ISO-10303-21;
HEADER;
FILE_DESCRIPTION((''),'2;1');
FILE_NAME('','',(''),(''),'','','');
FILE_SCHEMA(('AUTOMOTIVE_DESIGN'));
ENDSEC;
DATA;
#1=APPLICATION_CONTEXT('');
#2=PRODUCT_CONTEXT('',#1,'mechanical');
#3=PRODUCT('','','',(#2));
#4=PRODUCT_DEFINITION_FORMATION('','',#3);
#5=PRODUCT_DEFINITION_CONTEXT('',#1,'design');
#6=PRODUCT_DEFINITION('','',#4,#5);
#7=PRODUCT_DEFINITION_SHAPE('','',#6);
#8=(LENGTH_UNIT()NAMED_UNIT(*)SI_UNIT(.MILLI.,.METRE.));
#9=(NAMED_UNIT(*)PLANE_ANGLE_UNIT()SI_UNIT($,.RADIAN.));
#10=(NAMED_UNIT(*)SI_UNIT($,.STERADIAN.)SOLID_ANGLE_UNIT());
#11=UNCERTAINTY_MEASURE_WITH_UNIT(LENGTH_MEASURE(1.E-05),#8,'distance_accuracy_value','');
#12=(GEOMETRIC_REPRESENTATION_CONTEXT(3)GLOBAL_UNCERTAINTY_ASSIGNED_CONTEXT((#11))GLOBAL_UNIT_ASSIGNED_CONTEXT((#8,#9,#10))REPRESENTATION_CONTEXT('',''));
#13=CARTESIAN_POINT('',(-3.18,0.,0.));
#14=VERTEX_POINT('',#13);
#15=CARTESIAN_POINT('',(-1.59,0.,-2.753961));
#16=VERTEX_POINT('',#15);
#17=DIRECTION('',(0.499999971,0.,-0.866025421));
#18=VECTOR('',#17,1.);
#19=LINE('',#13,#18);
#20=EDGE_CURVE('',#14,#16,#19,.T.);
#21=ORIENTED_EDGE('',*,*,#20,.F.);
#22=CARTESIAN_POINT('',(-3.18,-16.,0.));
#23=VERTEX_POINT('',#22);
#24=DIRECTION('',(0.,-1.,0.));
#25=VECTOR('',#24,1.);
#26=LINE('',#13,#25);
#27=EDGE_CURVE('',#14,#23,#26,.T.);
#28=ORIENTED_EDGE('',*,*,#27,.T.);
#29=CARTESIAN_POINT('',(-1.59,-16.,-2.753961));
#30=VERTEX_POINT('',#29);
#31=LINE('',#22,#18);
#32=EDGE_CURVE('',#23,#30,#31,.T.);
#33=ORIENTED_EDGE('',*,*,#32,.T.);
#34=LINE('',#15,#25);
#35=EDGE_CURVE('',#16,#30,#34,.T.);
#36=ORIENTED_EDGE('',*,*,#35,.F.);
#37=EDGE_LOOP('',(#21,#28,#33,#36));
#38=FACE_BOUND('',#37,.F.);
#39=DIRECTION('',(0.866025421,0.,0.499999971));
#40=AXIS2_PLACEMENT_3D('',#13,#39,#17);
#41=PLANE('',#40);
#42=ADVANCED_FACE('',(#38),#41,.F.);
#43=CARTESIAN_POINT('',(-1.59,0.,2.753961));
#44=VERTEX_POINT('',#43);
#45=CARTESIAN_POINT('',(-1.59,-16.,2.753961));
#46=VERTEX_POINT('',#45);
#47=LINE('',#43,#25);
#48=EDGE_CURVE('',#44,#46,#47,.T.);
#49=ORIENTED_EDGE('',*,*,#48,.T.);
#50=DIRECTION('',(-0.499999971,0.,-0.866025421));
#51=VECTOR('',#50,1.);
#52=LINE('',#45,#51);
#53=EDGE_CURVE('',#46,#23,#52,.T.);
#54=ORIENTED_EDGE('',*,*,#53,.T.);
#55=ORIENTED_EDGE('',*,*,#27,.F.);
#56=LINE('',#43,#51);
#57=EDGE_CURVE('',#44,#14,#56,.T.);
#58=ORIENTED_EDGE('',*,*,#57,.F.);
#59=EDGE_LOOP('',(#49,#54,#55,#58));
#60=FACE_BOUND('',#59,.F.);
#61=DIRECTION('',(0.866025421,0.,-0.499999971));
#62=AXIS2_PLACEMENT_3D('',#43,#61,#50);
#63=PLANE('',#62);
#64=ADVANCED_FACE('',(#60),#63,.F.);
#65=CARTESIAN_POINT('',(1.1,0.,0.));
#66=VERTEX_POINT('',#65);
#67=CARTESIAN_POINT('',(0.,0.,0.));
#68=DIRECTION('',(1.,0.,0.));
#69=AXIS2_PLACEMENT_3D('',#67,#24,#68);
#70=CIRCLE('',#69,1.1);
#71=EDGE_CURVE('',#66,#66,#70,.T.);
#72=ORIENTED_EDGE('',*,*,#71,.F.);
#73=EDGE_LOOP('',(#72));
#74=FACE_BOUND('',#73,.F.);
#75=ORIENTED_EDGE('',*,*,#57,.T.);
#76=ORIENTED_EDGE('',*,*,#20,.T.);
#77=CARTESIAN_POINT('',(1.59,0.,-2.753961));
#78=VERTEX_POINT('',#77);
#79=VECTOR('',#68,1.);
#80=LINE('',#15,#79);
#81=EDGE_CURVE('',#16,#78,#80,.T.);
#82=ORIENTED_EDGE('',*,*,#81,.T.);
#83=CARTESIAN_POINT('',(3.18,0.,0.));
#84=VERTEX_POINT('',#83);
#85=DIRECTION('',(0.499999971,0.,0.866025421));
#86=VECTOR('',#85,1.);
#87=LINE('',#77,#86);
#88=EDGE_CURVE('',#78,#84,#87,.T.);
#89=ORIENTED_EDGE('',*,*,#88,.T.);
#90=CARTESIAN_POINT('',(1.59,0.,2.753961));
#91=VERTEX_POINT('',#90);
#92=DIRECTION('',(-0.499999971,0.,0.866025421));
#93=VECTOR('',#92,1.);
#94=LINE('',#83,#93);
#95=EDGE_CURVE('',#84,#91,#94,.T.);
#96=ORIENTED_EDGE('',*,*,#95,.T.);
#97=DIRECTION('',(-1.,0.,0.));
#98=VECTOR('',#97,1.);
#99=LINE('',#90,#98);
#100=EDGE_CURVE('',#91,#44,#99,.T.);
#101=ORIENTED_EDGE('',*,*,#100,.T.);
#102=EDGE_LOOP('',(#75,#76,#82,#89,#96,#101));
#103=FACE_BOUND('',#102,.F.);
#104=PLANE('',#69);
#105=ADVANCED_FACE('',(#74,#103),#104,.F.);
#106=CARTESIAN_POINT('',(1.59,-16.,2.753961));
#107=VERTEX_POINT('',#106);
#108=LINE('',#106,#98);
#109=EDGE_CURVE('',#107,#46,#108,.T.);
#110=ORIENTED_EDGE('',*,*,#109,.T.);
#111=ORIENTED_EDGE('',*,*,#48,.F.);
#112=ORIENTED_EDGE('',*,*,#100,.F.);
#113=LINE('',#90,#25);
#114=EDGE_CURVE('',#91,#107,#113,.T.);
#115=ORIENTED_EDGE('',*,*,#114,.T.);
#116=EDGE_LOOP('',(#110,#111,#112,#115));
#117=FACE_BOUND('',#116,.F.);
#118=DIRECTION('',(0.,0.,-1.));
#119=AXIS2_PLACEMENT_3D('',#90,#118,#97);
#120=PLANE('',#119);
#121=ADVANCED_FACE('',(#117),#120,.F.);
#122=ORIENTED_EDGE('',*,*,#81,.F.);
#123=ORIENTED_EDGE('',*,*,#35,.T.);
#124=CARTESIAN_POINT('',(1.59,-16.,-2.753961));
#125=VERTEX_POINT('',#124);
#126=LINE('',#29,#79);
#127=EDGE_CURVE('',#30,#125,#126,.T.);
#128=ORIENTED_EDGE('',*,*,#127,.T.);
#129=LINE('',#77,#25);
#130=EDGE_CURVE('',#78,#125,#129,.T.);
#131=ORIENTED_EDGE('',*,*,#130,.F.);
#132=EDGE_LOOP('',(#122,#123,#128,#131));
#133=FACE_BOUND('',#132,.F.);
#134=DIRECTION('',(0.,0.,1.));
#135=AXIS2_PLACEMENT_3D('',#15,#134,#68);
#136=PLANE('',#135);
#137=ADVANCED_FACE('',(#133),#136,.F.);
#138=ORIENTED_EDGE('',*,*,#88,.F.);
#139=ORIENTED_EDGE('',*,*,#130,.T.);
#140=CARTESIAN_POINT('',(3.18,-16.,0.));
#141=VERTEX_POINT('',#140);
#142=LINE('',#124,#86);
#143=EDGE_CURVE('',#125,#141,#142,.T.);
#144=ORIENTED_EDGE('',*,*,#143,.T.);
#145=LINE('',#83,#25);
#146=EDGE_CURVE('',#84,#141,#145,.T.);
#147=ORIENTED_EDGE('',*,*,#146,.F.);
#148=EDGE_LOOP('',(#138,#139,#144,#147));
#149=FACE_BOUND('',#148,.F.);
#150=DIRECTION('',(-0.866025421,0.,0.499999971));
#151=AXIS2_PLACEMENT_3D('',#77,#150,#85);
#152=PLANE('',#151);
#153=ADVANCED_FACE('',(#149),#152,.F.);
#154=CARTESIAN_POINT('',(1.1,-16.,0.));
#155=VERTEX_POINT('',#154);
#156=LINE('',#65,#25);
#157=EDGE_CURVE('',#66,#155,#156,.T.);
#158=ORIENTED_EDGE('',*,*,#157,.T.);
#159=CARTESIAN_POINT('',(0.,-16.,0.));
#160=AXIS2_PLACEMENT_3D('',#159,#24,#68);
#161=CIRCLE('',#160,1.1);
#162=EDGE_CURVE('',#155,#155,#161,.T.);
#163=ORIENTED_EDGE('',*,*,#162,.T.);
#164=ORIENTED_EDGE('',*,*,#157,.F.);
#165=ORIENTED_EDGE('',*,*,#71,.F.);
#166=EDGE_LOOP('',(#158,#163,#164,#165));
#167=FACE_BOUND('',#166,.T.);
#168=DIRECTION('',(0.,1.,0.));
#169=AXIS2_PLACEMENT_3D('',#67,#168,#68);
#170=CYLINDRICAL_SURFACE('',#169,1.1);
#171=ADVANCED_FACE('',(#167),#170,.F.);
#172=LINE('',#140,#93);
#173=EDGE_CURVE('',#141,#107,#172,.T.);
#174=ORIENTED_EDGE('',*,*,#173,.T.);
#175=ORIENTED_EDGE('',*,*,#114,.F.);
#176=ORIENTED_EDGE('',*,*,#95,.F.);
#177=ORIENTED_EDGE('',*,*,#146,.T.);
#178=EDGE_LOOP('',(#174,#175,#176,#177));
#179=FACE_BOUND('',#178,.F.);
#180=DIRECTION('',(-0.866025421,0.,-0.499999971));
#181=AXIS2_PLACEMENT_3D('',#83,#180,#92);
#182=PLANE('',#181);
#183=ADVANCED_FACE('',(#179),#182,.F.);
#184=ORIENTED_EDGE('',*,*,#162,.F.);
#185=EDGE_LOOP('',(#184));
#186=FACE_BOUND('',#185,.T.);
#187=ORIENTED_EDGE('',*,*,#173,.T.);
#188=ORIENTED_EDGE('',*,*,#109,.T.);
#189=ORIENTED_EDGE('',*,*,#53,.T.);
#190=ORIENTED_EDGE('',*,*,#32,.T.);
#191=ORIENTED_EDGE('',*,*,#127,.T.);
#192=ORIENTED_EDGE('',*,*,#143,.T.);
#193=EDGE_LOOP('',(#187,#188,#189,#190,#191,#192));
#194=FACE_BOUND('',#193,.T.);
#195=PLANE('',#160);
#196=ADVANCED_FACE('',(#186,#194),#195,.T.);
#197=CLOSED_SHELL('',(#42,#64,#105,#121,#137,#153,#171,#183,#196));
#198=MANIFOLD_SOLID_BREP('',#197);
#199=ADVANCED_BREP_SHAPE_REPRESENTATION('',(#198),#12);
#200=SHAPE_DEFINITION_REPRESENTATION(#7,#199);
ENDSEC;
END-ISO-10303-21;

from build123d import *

# Parameters (mm, degrees)
SKETCH_R  = 1.1
PAD_DEPTH = 16


with BuildPart() as part:
    # Sketch → Pad (new body)
    with BuildSketch(Plane.XZ):
        Polygon((-1.59, -2.753961), (1.59, -2.753961), (3.18, 0), (1.59, 2.753961), (-1.59, 2.753961), (-3.18, 0), align=None)
        Circle(SKETCH_R, mode=Mode.SUBTRACT)
    extrude(amount=PAD_DEPTH)


solid = part.part
